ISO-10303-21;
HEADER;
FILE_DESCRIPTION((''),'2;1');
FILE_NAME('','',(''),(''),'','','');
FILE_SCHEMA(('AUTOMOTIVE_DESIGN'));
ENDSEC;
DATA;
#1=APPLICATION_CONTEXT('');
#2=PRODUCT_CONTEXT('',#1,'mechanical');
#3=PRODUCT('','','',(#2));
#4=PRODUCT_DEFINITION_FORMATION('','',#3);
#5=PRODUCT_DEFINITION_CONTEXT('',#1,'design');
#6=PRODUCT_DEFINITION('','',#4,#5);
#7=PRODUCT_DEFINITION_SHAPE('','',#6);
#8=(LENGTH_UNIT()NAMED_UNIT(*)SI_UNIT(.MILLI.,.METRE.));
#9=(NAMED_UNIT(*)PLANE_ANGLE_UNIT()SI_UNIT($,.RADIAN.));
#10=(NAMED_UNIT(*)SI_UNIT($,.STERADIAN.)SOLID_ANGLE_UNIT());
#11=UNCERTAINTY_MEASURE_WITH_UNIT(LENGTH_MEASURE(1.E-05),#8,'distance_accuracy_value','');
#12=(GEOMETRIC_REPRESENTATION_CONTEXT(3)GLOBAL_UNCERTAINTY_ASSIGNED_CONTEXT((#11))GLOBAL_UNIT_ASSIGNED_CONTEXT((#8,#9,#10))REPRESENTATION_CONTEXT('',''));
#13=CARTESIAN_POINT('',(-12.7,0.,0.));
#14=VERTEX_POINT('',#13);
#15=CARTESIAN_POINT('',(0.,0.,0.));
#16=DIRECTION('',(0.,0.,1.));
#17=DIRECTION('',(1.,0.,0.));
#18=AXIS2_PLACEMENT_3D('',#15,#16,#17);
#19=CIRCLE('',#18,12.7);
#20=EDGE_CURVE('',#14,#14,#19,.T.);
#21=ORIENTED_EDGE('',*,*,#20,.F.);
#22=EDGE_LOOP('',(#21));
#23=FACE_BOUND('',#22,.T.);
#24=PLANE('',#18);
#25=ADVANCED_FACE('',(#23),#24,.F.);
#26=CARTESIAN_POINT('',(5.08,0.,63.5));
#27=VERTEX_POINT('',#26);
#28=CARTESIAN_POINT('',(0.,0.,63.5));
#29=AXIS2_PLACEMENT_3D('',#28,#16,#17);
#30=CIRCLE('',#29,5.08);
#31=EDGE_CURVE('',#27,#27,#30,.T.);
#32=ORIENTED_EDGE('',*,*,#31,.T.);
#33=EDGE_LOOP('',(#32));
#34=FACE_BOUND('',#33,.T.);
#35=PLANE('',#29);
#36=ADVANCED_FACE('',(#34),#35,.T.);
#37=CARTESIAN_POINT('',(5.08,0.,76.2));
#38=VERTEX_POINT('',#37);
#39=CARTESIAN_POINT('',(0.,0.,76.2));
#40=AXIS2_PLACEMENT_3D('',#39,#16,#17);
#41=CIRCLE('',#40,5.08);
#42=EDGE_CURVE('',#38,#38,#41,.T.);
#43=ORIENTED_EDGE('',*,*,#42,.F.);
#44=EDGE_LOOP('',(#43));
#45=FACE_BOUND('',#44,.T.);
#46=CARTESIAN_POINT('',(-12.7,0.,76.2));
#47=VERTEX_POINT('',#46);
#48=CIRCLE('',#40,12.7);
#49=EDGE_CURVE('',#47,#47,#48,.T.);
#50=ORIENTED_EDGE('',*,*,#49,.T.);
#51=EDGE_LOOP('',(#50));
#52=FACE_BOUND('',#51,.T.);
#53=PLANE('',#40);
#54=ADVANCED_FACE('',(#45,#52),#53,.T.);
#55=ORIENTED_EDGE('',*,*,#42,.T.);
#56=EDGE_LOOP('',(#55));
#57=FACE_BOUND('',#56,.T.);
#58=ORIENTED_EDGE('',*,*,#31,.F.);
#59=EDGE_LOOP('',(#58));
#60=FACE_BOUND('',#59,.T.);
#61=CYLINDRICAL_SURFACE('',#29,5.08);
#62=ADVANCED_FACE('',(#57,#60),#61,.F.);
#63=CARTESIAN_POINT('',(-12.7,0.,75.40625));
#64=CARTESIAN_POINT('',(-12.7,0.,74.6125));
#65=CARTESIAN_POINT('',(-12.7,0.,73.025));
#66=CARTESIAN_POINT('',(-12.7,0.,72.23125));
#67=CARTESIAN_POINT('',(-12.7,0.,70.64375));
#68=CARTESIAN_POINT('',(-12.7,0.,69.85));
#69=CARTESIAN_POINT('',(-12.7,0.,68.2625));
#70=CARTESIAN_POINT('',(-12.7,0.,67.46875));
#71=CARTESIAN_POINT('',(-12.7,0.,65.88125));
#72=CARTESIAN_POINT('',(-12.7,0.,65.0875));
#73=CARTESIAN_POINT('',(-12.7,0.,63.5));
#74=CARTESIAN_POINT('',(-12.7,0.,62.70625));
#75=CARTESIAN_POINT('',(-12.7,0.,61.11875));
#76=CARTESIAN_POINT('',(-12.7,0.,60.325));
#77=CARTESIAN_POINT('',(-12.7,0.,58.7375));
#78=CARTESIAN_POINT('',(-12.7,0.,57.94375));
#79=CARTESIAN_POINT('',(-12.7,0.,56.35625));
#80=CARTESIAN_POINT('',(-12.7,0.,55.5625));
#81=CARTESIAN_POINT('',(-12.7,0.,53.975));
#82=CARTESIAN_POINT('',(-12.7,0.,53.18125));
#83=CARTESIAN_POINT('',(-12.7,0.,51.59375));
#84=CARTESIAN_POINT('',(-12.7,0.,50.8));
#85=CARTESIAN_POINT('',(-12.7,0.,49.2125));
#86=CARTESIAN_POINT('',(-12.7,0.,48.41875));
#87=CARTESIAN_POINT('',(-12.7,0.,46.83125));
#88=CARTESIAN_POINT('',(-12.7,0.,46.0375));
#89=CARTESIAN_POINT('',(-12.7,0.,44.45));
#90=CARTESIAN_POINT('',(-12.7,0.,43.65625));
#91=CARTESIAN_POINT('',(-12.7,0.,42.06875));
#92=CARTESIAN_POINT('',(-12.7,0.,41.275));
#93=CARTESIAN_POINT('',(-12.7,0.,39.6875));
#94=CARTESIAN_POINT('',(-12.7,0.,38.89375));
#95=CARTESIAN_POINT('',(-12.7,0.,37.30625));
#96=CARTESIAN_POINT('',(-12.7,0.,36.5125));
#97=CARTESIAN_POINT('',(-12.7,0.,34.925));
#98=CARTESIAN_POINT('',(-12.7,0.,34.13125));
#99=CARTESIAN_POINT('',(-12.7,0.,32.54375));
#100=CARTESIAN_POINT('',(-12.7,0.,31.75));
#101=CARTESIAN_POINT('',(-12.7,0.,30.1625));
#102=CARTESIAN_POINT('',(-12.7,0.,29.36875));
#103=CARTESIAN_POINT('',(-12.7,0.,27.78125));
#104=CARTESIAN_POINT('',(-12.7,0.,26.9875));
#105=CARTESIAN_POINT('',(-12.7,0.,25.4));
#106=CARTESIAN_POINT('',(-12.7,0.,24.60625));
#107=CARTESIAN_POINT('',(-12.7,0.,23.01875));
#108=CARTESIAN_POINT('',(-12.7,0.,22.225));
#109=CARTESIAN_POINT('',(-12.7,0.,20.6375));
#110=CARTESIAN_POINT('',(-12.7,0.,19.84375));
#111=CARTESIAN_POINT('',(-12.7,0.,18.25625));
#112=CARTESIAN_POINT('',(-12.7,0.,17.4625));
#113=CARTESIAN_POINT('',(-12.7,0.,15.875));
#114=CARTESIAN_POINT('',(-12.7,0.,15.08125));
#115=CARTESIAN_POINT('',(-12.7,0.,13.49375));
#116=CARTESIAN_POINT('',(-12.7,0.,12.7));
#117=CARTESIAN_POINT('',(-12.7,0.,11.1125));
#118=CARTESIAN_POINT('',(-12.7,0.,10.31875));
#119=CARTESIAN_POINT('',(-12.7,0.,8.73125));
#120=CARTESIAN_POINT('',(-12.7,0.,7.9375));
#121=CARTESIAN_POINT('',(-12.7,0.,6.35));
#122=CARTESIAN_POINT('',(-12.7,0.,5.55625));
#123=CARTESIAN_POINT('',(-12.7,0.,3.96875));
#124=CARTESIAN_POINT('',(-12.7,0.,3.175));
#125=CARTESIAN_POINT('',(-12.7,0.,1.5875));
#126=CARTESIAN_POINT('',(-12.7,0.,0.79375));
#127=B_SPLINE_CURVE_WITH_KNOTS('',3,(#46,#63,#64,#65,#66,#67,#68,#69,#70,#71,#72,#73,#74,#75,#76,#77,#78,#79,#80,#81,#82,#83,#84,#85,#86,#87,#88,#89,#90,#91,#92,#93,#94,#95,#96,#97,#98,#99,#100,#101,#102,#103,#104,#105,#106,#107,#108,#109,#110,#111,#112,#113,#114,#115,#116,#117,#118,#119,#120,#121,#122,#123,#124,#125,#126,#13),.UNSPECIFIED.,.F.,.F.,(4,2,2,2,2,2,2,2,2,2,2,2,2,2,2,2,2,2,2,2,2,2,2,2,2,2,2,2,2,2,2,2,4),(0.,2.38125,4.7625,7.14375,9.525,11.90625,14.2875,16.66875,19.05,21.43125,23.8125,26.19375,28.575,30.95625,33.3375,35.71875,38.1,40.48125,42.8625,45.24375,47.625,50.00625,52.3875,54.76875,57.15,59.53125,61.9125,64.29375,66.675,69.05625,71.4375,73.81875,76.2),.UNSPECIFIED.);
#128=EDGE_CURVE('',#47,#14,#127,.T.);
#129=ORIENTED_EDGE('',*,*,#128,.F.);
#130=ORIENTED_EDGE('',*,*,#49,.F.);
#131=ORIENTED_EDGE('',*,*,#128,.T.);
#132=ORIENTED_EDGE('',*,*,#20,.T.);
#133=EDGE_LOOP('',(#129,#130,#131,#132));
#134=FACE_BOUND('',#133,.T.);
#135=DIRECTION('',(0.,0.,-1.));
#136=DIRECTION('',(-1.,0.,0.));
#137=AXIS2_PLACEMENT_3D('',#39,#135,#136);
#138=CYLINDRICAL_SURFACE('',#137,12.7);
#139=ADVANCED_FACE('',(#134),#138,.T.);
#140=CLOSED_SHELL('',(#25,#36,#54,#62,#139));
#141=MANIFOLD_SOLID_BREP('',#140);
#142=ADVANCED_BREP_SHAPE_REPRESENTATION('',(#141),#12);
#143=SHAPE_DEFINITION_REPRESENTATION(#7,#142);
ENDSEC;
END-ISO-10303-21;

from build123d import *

# Parameters (mm, degrees)
SKETCH1_R           = 12.7
BOSS_EXTRUDE1_DEPTH = 76.2
SKETCH2_R           = 5.08
CUT_EXTRUDE1_DEPTH  = 12.7


with BuildPart() as part:
    # Sketch1 → Boss-Extrude1 (new body)
    with BuildSketch(Plane.XY):
        with Locations(Location((0, 0, 0), (0, 0, 180))):
            Circle(SKETCH1_R)
    extrude(amount=BOSS_EXTRUDE1_DEPTH)

    # Sketch2 → Cut-Extrude1 (cut)
    with BuildSketch(Plane.XY.offset(76.2)):
        Circle(SKETCH2_R)
    extrude(amount=-CUT_EXTRUDE1_DEPTH, mode=Mode.SUBTRACT)


solid = part.part
